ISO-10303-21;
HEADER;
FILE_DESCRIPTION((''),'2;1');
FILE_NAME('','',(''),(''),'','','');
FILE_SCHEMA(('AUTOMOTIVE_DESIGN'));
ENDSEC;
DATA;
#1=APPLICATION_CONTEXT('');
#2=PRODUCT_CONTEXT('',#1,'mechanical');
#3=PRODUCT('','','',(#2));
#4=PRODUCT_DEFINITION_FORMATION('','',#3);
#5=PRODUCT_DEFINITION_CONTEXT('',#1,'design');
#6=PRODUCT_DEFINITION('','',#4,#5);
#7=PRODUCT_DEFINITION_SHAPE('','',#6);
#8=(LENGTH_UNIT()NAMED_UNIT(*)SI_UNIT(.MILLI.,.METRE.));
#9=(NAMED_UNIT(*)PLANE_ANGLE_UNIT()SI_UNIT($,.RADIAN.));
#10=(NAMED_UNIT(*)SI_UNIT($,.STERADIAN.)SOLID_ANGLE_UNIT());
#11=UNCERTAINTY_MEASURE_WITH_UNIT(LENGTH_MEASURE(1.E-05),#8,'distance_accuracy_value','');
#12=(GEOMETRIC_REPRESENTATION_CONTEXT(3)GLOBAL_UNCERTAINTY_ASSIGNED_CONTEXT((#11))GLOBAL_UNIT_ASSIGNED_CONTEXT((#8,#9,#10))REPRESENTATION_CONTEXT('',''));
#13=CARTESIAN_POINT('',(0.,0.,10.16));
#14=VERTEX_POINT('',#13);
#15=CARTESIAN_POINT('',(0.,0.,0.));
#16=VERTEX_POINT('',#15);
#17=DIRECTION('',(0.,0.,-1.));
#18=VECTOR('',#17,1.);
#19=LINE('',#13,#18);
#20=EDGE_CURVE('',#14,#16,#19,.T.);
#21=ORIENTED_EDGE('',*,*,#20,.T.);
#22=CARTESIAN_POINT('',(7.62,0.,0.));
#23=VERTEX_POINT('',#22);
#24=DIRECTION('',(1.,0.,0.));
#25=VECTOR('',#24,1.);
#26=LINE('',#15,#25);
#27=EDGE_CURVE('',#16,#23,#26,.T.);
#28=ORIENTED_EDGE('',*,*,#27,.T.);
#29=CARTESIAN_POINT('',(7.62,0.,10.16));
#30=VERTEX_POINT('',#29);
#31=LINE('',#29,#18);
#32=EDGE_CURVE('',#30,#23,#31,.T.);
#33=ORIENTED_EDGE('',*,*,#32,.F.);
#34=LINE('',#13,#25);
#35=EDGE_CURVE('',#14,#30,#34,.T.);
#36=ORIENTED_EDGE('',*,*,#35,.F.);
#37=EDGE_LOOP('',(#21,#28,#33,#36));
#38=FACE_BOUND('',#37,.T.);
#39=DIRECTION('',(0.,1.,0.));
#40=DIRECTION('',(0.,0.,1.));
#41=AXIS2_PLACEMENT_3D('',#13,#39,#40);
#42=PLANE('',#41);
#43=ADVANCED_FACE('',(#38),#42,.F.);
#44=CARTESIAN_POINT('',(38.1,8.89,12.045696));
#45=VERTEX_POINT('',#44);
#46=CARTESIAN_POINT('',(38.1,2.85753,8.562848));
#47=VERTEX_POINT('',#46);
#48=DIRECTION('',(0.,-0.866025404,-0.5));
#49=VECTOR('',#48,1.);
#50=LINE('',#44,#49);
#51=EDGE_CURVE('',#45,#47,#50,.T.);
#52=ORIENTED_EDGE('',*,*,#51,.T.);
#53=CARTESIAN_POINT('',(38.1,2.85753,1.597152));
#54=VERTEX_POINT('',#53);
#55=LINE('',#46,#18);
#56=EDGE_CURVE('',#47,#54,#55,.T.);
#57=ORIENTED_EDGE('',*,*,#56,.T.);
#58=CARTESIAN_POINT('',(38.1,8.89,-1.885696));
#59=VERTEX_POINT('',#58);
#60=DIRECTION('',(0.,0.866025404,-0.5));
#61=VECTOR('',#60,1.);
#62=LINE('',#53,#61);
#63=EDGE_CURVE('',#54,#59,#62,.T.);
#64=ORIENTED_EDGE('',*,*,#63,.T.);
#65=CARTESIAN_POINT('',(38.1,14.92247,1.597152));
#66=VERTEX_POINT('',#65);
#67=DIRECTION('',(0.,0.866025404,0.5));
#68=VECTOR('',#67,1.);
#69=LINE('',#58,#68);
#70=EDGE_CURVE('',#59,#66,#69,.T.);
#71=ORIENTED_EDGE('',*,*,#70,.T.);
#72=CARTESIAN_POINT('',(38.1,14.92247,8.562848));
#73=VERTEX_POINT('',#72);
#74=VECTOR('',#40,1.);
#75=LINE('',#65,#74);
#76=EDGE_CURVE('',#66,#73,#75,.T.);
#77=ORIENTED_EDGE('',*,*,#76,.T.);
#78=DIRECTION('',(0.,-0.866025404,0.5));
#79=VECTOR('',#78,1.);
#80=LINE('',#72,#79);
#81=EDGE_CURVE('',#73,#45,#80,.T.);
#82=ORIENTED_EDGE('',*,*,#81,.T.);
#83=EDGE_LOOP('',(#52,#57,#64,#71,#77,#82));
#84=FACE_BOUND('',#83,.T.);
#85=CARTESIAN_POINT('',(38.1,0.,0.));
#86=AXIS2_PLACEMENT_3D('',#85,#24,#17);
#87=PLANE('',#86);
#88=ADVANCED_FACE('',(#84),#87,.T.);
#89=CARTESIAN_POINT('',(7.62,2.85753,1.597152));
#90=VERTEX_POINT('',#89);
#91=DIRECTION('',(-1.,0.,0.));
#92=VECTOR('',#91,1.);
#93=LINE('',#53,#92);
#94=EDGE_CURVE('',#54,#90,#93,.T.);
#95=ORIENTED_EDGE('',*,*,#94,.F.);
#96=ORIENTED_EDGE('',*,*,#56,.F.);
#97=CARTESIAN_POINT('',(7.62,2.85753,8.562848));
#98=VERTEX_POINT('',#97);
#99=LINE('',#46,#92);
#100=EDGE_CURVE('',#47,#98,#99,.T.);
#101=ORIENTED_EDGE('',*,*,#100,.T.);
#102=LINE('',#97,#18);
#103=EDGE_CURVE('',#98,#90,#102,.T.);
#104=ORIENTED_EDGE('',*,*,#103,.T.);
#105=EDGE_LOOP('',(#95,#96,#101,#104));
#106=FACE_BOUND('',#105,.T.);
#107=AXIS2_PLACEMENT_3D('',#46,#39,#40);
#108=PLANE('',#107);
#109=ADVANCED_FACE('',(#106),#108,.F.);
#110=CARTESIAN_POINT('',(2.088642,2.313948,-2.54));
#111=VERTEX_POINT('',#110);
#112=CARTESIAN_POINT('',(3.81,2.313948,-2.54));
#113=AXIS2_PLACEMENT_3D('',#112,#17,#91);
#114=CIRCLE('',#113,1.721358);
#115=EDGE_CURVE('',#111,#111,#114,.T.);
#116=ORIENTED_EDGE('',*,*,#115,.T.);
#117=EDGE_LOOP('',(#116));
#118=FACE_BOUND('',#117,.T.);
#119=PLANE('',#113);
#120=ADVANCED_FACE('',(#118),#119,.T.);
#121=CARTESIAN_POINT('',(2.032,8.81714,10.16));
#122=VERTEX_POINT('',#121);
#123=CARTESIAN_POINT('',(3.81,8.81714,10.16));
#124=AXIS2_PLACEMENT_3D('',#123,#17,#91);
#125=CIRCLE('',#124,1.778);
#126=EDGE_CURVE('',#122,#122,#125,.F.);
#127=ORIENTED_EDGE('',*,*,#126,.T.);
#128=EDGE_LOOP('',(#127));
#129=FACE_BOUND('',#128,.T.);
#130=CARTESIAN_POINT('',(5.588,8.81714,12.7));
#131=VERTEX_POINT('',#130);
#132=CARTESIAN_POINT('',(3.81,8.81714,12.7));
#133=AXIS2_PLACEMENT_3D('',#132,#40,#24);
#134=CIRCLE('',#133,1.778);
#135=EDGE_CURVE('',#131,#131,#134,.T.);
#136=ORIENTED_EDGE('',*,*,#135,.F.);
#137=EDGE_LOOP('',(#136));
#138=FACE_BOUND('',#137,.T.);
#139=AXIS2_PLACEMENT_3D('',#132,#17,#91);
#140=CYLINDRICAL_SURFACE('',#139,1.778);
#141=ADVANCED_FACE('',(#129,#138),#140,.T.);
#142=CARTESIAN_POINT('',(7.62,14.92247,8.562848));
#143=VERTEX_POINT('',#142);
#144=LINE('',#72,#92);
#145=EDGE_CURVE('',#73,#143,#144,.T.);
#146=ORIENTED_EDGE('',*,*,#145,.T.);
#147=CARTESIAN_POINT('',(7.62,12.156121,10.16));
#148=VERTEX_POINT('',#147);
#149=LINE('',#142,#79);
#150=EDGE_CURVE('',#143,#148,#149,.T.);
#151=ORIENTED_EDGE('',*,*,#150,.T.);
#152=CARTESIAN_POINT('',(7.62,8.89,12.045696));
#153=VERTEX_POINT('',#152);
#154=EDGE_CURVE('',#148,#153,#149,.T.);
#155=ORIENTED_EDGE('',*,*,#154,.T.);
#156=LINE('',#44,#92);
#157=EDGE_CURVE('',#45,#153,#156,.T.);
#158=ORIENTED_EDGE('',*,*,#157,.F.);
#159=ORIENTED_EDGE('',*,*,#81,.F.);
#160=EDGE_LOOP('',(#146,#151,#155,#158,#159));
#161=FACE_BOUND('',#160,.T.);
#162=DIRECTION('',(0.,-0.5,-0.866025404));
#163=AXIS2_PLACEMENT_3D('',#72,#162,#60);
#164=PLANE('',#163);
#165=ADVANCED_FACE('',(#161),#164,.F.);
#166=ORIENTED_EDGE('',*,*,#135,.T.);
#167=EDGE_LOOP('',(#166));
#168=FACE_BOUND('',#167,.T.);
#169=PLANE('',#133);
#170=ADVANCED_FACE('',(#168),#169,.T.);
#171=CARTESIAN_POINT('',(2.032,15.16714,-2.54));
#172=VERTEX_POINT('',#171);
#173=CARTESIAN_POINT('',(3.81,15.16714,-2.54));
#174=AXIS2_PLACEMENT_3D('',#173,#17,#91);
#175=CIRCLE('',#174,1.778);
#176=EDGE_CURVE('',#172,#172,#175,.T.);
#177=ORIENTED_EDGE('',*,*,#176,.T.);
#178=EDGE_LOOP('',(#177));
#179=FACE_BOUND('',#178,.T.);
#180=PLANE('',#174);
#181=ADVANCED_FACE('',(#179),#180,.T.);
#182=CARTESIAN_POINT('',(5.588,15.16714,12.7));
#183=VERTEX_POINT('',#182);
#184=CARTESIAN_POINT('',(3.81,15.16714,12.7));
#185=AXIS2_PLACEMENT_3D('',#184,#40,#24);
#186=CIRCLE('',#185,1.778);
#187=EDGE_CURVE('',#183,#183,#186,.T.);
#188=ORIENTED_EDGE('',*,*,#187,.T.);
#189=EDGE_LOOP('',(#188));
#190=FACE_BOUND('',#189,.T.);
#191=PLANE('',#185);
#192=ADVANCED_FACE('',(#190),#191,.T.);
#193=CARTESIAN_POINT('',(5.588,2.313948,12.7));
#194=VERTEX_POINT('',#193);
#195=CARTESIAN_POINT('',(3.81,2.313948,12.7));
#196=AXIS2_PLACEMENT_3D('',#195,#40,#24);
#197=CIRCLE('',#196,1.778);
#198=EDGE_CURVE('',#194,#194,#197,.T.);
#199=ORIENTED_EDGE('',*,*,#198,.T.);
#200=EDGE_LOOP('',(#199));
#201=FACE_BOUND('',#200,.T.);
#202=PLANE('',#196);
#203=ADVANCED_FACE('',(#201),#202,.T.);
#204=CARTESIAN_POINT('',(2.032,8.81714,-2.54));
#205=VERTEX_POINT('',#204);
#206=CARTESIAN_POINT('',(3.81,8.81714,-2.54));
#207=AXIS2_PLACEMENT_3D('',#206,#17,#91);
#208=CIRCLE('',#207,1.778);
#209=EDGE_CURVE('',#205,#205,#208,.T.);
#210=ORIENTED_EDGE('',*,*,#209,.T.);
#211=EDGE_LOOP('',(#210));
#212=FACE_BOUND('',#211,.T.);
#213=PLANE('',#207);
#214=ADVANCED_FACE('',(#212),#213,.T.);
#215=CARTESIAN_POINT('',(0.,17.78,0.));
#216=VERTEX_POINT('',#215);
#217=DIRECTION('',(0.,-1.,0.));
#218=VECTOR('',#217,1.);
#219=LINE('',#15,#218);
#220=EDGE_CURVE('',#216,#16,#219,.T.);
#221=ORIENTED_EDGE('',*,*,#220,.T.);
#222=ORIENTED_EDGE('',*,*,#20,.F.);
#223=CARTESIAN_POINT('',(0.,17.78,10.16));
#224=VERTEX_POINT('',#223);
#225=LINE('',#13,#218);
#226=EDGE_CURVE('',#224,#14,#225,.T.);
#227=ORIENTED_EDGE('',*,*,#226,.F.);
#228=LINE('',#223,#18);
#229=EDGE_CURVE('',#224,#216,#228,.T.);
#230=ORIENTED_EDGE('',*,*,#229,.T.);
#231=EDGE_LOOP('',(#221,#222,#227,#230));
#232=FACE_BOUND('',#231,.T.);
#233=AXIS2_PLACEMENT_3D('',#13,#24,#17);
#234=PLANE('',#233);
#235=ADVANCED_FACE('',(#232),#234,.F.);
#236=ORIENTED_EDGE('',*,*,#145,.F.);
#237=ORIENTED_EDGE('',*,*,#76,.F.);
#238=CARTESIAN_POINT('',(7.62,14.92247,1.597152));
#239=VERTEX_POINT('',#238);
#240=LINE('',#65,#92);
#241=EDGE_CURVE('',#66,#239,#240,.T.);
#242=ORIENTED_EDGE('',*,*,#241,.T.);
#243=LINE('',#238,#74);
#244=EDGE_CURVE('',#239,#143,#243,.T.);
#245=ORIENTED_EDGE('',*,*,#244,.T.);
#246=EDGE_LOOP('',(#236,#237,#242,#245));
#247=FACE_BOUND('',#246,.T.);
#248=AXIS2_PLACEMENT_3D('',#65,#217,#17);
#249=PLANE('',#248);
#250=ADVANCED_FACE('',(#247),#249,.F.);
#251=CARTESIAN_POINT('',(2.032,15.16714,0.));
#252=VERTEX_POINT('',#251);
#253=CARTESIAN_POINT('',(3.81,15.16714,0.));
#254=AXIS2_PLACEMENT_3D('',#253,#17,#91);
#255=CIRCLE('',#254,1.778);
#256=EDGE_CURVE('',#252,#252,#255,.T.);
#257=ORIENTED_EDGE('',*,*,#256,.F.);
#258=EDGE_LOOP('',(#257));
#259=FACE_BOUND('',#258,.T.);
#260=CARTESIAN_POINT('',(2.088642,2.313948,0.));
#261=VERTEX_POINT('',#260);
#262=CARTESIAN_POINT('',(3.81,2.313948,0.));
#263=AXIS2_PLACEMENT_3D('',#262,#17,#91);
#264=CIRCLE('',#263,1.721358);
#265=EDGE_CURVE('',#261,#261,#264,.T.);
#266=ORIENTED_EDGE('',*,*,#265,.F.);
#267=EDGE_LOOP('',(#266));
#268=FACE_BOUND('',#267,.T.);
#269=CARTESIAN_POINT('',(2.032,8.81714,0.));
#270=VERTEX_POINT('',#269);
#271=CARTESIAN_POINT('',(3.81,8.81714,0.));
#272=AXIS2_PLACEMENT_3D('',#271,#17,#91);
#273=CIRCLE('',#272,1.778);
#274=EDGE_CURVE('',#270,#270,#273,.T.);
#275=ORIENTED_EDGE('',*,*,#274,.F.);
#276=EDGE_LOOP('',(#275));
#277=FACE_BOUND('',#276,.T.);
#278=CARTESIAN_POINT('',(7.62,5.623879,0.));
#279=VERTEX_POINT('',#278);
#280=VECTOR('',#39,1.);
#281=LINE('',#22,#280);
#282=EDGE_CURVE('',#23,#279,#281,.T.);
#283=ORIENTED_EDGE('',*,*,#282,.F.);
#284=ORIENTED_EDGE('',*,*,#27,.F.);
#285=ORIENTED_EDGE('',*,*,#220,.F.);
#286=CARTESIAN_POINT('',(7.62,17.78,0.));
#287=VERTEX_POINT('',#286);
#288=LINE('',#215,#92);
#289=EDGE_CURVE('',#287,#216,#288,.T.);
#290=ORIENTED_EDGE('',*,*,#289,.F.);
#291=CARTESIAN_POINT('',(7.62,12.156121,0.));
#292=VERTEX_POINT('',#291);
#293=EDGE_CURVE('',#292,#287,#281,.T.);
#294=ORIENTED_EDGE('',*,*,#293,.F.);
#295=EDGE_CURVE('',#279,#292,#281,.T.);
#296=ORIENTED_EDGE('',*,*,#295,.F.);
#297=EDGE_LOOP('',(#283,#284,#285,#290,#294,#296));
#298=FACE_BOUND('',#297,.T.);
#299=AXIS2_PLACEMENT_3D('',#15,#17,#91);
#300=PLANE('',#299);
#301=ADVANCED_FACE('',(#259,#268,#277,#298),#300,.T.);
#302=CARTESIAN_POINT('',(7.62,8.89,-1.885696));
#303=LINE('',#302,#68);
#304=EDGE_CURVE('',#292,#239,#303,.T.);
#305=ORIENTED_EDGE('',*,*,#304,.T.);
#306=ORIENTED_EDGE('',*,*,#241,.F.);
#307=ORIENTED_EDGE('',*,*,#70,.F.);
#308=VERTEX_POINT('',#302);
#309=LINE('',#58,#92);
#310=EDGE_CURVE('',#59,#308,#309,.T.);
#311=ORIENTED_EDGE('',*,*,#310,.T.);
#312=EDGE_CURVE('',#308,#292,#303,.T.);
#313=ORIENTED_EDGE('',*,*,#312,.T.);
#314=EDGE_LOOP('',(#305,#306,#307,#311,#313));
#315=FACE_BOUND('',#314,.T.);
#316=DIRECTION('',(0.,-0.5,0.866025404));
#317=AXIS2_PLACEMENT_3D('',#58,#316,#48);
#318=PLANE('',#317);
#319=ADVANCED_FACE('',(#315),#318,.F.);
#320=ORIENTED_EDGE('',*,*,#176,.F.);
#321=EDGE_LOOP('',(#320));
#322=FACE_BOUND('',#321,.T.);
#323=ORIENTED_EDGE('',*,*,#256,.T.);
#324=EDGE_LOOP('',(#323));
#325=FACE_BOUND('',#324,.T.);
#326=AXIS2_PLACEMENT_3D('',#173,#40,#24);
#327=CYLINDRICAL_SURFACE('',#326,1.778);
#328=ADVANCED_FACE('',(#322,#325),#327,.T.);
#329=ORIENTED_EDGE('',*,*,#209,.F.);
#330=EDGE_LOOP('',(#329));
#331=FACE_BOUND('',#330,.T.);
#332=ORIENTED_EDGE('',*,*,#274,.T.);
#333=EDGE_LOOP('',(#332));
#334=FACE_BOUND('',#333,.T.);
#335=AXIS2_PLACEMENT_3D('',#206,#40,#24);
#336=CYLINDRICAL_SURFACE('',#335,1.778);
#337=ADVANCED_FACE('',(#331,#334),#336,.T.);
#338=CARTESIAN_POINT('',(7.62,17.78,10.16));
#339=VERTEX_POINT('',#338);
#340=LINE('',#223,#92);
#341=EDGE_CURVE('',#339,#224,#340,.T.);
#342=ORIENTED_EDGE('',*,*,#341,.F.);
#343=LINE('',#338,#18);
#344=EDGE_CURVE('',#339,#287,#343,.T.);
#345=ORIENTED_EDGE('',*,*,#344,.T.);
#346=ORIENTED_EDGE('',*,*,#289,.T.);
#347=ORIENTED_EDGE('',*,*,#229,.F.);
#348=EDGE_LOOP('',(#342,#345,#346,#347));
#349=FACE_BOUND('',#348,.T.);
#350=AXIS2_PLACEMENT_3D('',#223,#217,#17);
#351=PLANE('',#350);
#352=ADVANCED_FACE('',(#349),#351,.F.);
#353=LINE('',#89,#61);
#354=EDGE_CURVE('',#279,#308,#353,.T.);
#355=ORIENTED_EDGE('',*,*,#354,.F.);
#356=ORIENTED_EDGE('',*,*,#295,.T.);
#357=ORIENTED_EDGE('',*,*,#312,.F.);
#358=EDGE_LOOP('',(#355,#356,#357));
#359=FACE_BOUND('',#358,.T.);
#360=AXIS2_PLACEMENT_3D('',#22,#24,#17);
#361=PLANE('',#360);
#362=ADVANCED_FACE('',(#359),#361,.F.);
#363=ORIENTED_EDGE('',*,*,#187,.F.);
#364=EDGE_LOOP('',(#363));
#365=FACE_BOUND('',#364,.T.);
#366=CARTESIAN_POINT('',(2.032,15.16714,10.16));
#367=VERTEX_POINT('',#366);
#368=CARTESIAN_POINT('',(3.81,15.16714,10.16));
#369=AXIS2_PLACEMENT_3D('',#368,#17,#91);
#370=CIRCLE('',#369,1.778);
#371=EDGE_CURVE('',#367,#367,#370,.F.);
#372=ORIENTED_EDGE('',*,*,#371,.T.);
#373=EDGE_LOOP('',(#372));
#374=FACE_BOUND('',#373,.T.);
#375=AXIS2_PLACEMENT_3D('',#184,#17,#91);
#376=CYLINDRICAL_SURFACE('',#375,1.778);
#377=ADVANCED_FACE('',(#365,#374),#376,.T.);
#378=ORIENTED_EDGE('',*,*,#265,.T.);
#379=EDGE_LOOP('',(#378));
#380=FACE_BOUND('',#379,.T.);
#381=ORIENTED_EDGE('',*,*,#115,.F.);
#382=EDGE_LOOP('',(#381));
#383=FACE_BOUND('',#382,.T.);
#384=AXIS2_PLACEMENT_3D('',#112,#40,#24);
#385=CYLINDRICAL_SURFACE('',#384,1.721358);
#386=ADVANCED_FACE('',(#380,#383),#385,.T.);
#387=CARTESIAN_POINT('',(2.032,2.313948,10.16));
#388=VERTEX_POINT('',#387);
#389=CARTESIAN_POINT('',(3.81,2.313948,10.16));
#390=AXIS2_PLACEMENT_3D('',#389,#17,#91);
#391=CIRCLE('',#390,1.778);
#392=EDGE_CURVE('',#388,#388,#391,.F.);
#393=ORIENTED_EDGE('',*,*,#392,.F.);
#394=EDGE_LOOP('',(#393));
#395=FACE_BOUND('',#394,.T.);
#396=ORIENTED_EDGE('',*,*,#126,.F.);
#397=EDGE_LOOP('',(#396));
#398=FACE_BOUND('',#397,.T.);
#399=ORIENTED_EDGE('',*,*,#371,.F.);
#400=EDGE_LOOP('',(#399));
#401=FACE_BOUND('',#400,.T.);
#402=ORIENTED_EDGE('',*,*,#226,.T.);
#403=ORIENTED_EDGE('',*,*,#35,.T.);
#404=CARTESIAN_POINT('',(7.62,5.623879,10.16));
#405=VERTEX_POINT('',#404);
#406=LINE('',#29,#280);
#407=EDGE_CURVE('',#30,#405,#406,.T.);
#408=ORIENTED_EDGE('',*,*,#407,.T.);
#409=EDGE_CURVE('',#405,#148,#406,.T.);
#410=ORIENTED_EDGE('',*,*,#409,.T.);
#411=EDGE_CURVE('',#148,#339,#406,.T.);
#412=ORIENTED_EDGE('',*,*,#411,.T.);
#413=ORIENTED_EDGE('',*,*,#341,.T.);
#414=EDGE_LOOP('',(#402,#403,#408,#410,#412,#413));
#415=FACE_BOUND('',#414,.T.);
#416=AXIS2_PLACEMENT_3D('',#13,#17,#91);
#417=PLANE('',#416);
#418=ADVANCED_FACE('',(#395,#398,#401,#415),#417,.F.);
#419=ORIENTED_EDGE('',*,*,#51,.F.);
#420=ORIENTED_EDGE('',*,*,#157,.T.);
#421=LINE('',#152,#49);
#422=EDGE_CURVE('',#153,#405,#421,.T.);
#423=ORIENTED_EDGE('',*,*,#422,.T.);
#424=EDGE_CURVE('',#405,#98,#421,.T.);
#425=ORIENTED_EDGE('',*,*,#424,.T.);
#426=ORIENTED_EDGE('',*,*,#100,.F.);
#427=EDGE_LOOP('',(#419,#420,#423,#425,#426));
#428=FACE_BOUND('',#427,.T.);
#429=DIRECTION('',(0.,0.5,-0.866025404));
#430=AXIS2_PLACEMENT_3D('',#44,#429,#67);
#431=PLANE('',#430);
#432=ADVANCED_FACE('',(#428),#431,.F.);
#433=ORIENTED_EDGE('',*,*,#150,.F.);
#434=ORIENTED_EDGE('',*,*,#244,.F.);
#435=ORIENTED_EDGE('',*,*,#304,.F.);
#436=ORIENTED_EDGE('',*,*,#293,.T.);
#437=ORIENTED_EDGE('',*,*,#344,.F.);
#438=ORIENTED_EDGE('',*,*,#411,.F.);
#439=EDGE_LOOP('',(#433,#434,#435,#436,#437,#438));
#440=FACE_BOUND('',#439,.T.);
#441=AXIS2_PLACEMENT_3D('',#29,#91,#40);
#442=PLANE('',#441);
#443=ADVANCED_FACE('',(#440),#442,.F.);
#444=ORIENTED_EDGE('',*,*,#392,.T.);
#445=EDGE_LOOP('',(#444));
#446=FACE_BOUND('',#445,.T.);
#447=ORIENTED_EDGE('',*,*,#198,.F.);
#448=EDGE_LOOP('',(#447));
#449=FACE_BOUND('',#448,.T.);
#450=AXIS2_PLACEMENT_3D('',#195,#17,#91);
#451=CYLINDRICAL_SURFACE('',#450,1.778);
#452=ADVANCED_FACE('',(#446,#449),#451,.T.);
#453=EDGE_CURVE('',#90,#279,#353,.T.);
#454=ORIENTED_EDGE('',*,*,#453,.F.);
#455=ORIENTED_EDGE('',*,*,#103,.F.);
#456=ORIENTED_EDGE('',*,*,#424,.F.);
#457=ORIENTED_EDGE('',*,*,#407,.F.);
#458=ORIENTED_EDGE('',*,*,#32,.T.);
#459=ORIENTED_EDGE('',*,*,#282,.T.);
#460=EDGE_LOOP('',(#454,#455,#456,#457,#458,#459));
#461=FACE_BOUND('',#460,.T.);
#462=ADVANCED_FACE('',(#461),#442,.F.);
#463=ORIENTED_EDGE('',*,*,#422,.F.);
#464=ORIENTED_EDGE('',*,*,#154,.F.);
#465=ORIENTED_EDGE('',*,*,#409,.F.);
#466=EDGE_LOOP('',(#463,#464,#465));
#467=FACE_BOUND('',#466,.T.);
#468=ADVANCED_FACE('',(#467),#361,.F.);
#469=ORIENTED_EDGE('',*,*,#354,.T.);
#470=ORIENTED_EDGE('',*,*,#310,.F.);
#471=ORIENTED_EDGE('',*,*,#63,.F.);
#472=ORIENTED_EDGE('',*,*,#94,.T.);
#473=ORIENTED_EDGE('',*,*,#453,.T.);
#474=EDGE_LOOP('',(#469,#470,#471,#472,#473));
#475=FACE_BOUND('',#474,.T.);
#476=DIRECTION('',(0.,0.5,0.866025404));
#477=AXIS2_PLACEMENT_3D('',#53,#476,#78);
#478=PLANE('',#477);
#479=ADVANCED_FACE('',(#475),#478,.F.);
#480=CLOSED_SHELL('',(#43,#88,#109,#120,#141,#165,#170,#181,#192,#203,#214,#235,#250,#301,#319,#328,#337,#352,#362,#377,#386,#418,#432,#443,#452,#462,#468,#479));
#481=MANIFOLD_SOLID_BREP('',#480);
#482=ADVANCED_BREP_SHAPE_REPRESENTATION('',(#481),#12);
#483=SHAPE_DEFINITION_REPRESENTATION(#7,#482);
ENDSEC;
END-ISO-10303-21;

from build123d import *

# Parameters (mm, degrees)
SKETCH2_W           = 7.62
SKETCH2_H           = 17.78
BOSS_EXTRUDE1_DEPTH = 10.16
BOSS_EXTRUDE3_DEPTH = 30.48
SKETCH8_R           = 1.778
SKETCH8_R_2         = 1.721357936
BOSS_EXTRUDE4_DEPTH = 2.54
BOSS_EXTRUDE5_START = 2.54
SKETCH6_R           = 1.778
BOSS_EXTRUDE5_DEPTH = 2.54


with BuildPart() as part:
    # Sketch2 → Boss-Extrude1 (new body)
    with BuildSketch(Plane.XY):
        with Locations((3.81, 8.89)):
            Rectangle(SKETCH2_W, SKETCH2_H)
    extrude(amount=BOSS_EXTRUDE1_DEPTH)

    # Sketch3 → Boss-Extrude3 (add)
    with BuildSketch(Plane(origin=(7.62, 0, 0), x_dir=(0, 0, -1), z_dir=(1, 0, 0))):
        Polygon((1.885696, 8.89), (-1.597152, 14.922469691), (-8.562848, 14.922469691), (-12.045696, 8.89), (-8.562848, 2.857530309), (-1.597152, 2.857530309), align=None)
    extrude(amount=BOSS_EXTRUDE3_DEPTH)

    # Sketch8 → Boss-Extrude4 (add)
    with BuildSketch(Plane(origin=(0, 0, 0), x_dir=(-1, 0, 0), z_dir=(0, 0, -1))):
        with Locations((-3.81, 15.167140335)):
            Circle(SKETCH8_R)
        with Locations((-3.81, 8.817140335)):
            Circle(SKETCH8_R)
        with Locations((-3.81, 2.31394822)):
            Circle(SKETCH8_R_2)
    extrude(amount=BOSS_EXTRUDE4_DEPTH)

    # Sketch6 → Boss-Extrude5 (add)
    with BuildSketch(Plane.XY.offset(10.16).offset(BOSS_EXTRUDE5_START)):
        with Locations(Location((3.81, 15.167140335, 0), (0, 0, 180))):
            Circle(SKETCH6_R)
        with Locations(Location((3.81, 8.817140335, 0), (0, 0, 180))):
            Circle(SKETCH6_R)
        with Locations(Location((3.81, 2.31394822, 0), (0, 0, 180))):
            Circle(SKETCH6_R)
    extrude(amount=-BOSS_EXTRUDE5_DEPTH)


solid = part.part
